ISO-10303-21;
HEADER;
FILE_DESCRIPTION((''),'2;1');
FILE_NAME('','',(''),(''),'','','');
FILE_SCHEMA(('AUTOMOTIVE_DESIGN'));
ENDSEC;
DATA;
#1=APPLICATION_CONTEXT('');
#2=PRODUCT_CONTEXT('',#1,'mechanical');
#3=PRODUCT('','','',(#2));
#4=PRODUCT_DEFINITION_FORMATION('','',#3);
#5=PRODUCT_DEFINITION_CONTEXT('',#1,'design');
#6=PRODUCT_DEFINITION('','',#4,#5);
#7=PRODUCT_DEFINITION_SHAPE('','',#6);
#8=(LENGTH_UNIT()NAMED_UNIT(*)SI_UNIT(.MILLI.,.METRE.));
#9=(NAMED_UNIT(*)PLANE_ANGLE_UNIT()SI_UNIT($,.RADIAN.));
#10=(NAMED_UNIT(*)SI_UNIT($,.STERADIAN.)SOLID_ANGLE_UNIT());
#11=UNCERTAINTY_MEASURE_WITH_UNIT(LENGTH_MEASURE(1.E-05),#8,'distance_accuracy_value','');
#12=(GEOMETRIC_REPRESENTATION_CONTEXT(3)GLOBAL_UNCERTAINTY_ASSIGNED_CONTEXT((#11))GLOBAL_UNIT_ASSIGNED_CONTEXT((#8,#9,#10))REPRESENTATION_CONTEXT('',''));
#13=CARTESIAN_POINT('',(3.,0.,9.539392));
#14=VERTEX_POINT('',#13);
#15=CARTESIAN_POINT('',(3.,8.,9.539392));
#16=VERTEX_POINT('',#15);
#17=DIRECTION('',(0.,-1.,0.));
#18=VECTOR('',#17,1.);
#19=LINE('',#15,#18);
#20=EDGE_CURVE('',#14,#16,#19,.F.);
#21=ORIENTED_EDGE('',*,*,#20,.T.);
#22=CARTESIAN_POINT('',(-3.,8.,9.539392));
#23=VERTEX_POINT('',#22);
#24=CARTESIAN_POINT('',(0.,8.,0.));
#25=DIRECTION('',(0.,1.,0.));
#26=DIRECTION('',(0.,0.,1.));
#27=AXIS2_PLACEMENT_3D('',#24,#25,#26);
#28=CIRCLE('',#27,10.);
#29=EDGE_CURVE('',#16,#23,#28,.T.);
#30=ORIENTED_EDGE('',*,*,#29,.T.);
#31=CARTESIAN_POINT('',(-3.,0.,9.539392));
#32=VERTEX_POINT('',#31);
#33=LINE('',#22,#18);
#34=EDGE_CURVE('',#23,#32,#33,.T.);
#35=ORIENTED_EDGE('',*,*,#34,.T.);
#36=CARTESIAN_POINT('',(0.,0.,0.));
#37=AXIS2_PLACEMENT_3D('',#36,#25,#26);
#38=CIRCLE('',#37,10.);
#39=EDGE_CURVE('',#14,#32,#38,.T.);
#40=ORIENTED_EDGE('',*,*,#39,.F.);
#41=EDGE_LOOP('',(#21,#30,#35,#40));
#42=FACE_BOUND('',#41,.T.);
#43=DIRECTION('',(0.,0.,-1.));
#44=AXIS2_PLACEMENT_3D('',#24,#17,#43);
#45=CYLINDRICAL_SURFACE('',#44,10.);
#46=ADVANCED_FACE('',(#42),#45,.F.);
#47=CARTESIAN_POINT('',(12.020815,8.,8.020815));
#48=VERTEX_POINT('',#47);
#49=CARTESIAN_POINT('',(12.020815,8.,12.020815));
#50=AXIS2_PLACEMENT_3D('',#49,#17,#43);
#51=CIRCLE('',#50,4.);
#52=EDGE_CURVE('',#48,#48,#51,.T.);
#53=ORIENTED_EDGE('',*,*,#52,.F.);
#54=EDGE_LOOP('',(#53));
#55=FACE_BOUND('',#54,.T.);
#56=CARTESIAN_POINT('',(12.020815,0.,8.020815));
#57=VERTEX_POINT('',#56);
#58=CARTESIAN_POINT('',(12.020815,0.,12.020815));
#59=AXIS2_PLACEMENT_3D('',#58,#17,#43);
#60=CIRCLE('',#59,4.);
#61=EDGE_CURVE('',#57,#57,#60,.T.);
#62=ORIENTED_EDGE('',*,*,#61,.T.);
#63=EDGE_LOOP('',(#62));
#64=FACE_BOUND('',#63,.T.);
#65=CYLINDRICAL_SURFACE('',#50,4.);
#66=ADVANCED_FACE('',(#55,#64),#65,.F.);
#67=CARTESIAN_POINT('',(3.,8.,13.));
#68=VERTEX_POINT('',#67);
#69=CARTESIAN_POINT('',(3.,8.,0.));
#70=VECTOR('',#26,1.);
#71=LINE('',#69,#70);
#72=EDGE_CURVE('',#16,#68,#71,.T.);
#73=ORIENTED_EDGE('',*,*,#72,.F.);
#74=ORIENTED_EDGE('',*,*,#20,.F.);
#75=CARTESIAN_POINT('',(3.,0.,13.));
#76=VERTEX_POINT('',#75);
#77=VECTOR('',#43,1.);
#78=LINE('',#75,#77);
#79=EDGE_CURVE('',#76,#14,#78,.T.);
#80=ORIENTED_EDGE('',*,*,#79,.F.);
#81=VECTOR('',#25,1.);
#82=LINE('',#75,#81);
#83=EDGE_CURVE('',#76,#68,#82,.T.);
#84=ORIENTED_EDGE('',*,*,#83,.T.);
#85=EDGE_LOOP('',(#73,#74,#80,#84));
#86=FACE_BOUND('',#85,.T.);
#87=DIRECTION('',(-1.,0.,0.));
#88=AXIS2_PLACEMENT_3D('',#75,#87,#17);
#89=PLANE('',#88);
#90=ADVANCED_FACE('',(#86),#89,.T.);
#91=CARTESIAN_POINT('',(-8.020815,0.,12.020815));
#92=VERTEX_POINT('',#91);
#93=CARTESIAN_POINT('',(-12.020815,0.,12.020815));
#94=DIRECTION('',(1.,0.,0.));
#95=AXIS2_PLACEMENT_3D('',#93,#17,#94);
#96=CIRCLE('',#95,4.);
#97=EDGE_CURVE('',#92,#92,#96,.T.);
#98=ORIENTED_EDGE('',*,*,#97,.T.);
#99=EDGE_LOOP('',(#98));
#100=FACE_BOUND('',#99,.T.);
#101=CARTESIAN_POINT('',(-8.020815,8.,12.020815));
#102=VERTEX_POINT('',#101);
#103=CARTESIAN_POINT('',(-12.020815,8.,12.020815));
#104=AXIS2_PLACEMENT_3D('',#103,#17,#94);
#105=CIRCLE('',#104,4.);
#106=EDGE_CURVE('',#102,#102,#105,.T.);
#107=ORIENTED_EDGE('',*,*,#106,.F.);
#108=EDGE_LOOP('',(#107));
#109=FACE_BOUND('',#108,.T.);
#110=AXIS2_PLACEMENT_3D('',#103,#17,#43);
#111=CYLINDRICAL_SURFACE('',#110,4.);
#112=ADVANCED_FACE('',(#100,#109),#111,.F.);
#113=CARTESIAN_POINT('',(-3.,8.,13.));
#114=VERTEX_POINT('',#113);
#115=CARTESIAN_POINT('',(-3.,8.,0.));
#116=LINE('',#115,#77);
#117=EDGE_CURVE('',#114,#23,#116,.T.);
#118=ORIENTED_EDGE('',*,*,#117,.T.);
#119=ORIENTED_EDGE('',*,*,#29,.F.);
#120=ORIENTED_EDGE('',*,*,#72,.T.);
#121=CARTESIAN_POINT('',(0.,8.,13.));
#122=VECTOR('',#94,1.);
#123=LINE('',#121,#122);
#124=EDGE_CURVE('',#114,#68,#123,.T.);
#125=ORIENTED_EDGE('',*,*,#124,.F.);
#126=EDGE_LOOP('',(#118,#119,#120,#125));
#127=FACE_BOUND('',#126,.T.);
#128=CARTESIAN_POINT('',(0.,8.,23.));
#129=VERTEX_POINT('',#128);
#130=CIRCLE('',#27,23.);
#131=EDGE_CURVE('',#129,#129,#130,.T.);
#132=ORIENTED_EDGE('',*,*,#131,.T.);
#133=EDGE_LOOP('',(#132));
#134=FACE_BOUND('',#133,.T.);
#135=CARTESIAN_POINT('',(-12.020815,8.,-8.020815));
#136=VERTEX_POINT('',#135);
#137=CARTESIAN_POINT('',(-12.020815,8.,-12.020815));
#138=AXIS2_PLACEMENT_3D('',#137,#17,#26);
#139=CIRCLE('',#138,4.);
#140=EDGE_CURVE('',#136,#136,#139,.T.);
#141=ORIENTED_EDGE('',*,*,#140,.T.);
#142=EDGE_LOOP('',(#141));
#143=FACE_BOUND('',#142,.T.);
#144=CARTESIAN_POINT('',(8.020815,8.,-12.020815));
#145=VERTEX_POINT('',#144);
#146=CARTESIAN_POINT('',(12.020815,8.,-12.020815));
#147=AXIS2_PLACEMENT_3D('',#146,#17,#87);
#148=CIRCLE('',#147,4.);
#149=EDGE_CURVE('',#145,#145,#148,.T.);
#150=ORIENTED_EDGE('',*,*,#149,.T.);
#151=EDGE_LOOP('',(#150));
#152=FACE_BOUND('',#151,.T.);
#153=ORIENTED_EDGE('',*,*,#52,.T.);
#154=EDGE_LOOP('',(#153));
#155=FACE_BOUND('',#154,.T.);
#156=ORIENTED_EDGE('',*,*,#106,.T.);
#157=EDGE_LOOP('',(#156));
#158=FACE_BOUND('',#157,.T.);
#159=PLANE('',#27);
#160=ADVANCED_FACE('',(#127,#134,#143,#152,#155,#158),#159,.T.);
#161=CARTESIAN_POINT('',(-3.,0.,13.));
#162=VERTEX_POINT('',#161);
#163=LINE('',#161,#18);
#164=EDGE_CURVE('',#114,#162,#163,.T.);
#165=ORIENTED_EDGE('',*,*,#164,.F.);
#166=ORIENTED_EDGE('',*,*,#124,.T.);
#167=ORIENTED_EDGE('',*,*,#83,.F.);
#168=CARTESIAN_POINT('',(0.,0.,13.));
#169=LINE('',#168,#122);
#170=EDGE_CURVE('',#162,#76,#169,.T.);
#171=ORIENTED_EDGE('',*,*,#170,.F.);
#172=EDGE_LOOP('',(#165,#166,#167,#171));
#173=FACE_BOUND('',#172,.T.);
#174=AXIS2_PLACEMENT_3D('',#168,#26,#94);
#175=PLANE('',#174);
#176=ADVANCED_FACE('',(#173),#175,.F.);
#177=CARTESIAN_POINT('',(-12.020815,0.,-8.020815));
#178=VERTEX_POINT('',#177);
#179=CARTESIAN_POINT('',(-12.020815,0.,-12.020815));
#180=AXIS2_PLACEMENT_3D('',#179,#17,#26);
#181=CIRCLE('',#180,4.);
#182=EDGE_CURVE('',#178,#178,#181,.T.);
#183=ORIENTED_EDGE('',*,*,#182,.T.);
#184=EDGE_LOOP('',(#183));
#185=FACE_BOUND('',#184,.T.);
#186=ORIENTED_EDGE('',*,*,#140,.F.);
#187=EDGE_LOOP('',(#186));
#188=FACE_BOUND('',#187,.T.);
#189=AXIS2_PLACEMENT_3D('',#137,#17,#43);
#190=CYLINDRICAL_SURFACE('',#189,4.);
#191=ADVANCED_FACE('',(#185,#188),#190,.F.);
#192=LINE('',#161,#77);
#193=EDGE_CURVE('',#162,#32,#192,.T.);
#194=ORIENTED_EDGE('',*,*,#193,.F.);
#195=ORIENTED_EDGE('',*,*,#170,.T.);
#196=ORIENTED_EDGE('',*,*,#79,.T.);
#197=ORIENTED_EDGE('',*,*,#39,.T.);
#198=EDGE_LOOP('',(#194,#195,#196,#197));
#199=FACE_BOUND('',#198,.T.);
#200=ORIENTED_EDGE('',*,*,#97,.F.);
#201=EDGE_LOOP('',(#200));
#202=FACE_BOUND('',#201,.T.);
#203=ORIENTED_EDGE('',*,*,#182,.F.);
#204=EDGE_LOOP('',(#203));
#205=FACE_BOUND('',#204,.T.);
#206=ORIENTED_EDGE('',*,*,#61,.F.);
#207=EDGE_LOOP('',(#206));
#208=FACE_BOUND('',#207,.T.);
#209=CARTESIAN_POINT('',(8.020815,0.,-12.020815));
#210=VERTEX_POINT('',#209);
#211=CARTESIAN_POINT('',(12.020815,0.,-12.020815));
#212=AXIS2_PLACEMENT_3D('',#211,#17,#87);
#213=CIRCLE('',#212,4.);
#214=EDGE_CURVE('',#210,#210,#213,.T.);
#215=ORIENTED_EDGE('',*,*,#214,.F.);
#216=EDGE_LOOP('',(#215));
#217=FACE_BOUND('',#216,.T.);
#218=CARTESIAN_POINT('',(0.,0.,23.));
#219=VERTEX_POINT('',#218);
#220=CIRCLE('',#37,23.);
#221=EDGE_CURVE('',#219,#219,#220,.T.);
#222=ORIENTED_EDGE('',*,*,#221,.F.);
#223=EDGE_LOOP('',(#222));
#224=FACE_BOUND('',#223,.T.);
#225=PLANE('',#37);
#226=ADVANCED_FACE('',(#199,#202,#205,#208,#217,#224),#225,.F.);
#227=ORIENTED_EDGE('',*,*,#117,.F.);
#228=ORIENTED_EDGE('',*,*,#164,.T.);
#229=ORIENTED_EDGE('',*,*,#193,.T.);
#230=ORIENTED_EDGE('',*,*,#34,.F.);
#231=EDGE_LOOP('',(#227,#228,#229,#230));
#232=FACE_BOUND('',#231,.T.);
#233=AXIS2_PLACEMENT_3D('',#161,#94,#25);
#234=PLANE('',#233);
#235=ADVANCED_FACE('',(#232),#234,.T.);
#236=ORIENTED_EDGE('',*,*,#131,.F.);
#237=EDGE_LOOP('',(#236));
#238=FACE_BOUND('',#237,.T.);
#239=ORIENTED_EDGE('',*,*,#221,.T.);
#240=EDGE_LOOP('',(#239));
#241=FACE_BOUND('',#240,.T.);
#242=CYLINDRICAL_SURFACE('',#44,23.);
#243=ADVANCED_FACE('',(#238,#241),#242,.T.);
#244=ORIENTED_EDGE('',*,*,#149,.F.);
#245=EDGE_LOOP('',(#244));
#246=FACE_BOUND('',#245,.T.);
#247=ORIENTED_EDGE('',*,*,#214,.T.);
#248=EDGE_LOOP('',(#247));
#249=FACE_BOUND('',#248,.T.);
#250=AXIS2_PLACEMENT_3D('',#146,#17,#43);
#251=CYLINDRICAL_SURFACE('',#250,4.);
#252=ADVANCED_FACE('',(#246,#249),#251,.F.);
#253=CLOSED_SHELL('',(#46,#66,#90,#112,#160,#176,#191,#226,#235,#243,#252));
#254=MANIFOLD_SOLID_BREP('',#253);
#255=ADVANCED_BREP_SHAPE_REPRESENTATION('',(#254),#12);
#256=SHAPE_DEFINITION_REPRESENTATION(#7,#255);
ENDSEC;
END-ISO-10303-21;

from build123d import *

# Parameters (mm, degrees)
ESQUISSE1_R                  = 23
ESQUISSE1_R_2                = 10
BOSS_EXTRU_1_DEPTH           = 8
ENL_V_MAT_EXTRU_1_DEPTH      = 3
ENL_V_MAT_EXTRU_1_DEPTH_BACK = 1
ESQUISSE4_R                  = 4
ENL_V_MAT_EXTRU_2_DEPTH      = 9
R_P_TITION_CIRCULAIRE1_COUNT = 4


with BuildPart() as part:
    # Esquisse1 → Boss.-Extru.1 (new body)
    with BuildSketch(Plane(origin=(0, 0, 0), x_dir=(1, 0, 0), z_dir=(0, 1, 0))):
        with Locations(Location((0, 0, 0), (0, 0, 270))):  # turned: the seam where the file's is
            Circle(ESQUISSE1_R)
        with Locations(Location((0, 0, 0), (0, 0, 270))):  # turned: the seam where the file's is
            Circle(ESQUISSE1_R_2, mode=Mode.SUBTRACT)
    extrude(amount=BOSS_EXTRU_1_DEPTH)

    # Esquisse2 → Enlèv. mat.-Extru.1 (cut, two sides)
    with BuildSketch(Plane.XY.offset(10)) as enl_v_mat_extru_1_sk:
        with BuildLine():
            Line((-3, 0), (-3, 12))
            ThreePointArc((-3, 12), (0, 15), (3, 12))
            Line((3, 12), (3, 0))
            ThreePointArc((3, 0), (0, -3), (-3, 0))
        make_face()
    extrude(amount=ENL_V_MAT_EXTRU_1_DEPTH, mode=Mode.SUBTRACT)
    extrude(enl_v_mat_extru_1_sk.sketch, amount=-ENL_V_MAT_EXTRU_1_DEPTH_BACK, mode=Mode.SUBTRACT)

    # Esquisse4 → Enlèv. mat.-Extru.2 (cut, through all)
    with BuildSketch(Plane.XZ):
        with Locations(Location((12.02081528, 12.02081528, 0), (0, 0, 270))):  # turned: the seam where the file's is
            Circle(ESQUISSE4_R)
    enl_v_mat_extru_2 = extrude(amount=-ENL_V_MAT_EXTRU_2_DEPTH, mode=Mode.SUBTRACT)

    # Répétition circulaire1: Enlèv. mat.-Extru.2 ×4 about axis
    r_p_tition_circulaire1_axis = Axis((0, 0, 0), (0, 1, 0))
    for i in range(1, R_P_TITION_CIRCULAIRE1_COUNT):
        add(enl_v_mat_extru_2.rotate(r_p_tition_circulaire1_axis, i * 360 / R_P_TITION_CIRCULAIRE1_COUNT), mode=Mode.SUBTRACT)


solid = part.part
